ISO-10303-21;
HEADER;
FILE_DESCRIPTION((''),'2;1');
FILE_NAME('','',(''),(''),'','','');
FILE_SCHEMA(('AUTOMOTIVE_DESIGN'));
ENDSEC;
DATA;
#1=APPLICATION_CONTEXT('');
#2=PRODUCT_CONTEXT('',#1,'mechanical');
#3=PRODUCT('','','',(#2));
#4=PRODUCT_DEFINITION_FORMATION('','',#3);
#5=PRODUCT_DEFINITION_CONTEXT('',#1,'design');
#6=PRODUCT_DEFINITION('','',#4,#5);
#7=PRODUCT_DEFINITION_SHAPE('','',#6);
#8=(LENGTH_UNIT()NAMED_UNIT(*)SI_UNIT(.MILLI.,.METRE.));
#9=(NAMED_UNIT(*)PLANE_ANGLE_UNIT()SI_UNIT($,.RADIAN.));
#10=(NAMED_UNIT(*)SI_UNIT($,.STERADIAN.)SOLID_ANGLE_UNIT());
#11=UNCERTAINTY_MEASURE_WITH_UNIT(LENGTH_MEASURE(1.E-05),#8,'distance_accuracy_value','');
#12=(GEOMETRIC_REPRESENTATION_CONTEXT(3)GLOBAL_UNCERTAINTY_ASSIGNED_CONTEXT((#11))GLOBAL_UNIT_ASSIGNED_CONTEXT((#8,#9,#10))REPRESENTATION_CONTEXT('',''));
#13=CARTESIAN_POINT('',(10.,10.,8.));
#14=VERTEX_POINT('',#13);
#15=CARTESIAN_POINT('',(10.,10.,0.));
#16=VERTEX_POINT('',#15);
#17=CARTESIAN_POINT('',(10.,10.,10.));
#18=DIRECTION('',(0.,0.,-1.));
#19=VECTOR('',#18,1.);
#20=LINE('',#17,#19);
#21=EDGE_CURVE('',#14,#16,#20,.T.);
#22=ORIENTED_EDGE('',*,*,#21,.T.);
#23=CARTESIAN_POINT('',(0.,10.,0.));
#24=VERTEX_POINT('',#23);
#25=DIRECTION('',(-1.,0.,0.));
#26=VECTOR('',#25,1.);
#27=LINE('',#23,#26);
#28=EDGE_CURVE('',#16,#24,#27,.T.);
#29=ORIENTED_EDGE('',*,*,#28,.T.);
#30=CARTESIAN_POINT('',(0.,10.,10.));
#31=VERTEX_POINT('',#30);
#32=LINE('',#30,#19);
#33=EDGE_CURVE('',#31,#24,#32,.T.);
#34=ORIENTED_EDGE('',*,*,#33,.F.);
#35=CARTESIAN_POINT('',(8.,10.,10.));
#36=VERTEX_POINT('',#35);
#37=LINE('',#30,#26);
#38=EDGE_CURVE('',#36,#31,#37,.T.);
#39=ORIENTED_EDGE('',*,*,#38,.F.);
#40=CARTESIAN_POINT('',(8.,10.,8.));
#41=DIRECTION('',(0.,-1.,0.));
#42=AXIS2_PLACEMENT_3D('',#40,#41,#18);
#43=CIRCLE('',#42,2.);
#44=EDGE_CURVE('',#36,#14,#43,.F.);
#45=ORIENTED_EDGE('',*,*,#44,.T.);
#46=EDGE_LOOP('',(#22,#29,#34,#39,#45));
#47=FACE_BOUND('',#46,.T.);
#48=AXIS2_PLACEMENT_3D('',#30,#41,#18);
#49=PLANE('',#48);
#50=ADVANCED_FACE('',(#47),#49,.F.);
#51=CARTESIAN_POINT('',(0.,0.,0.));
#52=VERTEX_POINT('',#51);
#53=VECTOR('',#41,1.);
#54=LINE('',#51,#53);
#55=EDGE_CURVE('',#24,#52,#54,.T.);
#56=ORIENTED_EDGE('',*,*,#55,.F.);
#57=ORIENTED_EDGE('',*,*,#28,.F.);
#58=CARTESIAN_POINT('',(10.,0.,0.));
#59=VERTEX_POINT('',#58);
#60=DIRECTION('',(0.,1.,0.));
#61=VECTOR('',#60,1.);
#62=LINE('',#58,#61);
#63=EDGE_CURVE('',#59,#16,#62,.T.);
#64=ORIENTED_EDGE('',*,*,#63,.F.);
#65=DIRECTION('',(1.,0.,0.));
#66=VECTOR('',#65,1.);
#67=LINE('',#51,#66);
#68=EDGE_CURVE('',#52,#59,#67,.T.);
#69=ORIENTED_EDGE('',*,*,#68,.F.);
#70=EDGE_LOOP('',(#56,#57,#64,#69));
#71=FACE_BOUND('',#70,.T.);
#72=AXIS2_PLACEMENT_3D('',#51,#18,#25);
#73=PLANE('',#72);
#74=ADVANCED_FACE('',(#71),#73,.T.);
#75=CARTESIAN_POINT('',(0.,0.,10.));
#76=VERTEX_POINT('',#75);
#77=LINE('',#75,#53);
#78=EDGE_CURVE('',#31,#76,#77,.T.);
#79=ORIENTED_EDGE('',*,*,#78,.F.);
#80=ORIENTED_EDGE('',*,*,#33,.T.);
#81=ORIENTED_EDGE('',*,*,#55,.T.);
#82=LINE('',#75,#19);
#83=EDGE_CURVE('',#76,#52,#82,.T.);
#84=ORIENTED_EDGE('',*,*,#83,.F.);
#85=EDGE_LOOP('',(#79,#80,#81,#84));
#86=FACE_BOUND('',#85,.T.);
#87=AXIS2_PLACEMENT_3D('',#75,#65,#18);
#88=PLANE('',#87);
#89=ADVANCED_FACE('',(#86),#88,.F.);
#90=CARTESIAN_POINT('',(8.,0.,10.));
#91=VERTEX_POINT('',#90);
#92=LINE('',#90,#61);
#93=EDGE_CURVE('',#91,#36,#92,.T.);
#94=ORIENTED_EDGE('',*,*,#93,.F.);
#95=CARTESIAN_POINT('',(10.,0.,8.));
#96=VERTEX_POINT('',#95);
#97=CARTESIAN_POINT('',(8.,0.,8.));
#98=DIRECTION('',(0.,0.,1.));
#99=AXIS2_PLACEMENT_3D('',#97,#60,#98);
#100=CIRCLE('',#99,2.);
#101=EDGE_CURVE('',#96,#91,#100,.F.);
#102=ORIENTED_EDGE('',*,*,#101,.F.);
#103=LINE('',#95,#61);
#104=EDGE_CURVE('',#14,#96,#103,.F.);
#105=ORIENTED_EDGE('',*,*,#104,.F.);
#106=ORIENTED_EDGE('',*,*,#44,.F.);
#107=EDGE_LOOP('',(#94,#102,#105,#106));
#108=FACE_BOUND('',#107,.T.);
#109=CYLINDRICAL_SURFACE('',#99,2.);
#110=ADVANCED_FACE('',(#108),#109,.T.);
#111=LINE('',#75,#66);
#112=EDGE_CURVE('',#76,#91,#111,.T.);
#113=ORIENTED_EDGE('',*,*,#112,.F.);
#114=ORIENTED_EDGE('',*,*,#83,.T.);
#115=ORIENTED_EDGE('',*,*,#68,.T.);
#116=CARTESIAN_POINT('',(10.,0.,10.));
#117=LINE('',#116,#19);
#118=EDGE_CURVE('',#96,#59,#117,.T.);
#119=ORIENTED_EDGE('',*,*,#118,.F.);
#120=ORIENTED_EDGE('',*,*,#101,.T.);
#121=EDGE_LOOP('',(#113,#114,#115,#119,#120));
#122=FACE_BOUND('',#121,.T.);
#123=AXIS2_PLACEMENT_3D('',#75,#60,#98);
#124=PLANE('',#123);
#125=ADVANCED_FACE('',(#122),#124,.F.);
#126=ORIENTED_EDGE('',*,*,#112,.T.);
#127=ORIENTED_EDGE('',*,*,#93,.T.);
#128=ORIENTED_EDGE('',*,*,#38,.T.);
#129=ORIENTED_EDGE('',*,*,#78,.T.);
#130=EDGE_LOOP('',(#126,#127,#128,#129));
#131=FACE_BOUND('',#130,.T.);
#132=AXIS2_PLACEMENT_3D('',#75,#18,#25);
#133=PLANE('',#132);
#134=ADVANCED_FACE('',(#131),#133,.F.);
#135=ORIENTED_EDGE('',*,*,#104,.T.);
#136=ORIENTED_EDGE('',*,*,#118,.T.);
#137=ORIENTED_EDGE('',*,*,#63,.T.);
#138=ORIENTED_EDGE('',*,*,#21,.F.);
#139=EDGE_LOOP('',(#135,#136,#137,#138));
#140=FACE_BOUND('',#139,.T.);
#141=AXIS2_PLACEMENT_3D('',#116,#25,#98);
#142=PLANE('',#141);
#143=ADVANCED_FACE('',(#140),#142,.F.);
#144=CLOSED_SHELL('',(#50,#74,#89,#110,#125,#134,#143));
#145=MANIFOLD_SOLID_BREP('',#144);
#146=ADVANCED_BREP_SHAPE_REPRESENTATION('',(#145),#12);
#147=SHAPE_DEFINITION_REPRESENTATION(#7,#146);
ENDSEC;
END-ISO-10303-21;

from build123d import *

# Parameters (mm, degrees)
SKETCH_1_W      = 10
SKETCH_1_H      = 10
EXTRUDE_1_DEPTH = 10
FILLET_1_R      = 2


with BuildPart() as part:
    # 草图1 → 凸台-拉伸1 (new body)
    with BuildSketch(Plane.XY):
        with Locations((5, 5)):
            Rectangle(SKETCH_1_W, SKETCH_1_H)
    extrude(amount=EXTRUDE_1_DEPTH)

    # 圆角1
    fillet_1_edges = [part.edges().sort_by_distance(p)[0] for p in [
        (10, 5, 10),
    ]]
    fillet(fillet_1_edges, radius=FILLET_1_R)


solid = part.part
